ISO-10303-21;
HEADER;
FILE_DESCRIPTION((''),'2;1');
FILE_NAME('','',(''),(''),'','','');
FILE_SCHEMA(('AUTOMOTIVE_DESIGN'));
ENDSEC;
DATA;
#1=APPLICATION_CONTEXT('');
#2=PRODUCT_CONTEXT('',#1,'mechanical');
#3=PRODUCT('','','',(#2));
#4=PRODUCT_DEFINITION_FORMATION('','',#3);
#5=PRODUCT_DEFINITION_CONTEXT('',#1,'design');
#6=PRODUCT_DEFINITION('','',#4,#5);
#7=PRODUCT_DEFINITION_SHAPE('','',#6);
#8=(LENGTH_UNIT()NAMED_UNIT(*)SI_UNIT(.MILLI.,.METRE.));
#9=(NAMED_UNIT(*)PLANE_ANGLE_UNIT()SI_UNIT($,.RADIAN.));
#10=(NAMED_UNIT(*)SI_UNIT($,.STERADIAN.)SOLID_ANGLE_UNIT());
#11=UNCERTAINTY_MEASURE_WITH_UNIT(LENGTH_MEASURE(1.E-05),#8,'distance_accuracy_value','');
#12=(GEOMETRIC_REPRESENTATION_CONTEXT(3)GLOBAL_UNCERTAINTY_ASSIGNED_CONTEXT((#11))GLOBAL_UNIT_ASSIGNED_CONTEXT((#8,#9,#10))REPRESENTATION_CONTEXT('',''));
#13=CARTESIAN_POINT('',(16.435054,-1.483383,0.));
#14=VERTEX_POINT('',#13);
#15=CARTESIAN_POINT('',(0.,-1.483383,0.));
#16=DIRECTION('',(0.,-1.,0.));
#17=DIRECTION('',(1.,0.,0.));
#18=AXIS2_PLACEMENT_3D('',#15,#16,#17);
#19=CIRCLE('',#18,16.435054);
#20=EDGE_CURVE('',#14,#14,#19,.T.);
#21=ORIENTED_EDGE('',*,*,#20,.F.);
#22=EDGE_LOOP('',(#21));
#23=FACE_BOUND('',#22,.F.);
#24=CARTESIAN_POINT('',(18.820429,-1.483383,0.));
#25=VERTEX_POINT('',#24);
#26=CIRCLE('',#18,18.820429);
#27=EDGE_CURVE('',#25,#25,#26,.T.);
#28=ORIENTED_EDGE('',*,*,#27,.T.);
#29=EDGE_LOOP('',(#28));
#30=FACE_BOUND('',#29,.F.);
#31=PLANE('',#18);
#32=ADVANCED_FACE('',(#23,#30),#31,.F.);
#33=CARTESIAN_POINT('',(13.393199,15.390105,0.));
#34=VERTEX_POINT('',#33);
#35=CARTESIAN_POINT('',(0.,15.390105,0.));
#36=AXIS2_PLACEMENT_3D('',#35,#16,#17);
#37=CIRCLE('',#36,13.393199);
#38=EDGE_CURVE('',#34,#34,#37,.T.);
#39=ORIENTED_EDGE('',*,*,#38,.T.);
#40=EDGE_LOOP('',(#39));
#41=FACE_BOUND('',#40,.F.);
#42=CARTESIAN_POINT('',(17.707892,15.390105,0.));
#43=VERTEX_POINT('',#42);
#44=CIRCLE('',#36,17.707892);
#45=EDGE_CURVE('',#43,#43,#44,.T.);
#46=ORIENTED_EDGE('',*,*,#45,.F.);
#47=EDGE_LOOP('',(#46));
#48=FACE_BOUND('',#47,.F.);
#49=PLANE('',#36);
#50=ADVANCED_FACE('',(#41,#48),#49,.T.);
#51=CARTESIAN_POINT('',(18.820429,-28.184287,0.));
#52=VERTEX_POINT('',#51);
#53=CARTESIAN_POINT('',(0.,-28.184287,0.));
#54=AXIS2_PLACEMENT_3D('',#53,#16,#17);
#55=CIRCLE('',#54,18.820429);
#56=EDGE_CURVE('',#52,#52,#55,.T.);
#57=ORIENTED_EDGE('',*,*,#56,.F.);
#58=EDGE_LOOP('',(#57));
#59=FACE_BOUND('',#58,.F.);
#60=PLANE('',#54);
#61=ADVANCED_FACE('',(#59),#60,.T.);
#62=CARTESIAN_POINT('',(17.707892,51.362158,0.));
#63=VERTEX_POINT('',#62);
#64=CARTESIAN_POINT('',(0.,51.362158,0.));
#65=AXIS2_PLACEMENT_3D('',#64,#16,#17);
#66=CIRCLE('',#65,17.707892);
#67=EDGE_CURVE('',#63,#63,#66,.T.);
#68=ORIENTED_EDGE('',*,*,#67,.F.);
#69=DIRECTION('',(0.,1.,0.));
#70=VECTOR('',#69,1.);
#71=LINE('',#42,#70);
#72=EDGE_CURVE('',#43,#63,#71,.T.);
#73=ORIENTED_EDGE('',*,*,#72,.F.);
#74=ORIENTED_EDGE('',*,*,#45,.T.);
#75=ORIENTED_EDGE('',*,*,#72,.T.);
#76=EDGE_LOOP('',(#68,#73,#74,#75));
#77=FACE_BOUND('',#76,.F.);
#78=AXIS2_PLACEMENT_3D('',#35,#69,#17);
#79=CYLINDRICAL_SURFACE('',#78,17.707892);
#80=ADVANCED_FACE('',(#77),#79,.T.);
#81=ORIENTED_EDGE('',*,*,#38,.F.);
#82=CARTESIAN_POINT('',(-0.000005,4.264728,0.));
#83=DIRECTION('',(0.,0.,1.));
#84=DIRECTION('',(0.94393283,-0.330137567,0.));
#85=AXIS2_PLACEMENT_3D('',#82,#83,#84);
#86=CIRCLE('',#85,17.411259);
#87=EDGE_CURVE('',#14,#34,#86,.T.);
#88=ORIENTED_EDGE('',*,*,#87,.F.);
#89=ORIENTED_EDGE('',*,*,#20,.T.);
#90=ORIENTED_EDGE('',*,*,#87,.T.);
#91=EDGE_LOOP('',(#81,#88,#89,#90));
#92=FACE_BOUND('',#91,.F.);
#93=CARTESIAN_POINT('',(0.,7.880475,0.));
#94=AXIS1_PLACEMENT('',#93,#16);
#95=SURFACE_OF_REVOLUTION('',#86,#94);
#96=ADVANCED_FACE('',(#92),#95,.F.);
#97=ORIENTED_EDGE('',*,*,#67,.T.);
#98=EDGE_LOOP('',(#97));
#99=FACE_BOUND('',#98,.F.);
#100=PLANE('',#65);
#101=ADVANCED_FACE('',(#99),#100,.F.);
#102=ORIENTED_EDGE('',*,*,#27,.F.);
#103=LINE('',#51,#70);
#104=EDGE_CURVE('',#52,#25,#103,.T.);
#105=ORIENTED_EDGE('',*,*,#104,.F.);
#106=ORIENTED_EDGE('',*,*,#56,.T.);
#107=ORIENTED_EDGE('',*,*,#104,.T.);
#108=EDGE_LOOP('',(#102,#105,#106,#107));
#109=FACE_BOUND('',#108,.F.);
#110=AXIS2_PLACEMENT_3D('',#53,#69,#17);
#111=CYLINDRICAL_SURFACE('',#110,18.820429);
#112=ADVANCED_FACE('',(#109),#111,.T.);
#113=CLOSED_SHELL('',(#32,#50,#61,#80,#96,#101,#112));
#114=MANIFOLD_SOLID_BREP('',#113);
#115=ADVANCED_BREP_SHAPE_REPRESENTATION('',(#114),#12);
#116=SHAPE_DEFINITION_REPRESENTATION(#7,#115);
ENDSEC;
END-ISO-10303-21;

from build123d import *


with BuildPart() as f1:
    # F0 (on Top) → F1 (revolve)
    with BuildSketch(Plane.XY):
        with BuildLine():
            Line((13.393199, 15.390105), (17.707892, 15.390105))
            Line((17.707892, 15.390105), (17.707892, 51.362158))
            Line((17.707892, 51.362158), (0, 51.362158))
            Line((0, 51.362158), (0, -1.483383))
            Line((0, -1.483383), (0, -28.184287))
            Line((0, -28.184287), (18.820429, -28.184287))
            Line((18.820429, -28.184287), (18.820429, -1.483383))
            Line((18.820429, -1.483383), (16.435054, -1.483383))
            ThreePointArc((16.435054, -1.483383), (17.135046, 7.353735), (13.393199, 15.390105))
        make_face()
    revolve(axis=Axis((0, 7.880475, 0), (0, -1, 0)))


solid = f1.part
